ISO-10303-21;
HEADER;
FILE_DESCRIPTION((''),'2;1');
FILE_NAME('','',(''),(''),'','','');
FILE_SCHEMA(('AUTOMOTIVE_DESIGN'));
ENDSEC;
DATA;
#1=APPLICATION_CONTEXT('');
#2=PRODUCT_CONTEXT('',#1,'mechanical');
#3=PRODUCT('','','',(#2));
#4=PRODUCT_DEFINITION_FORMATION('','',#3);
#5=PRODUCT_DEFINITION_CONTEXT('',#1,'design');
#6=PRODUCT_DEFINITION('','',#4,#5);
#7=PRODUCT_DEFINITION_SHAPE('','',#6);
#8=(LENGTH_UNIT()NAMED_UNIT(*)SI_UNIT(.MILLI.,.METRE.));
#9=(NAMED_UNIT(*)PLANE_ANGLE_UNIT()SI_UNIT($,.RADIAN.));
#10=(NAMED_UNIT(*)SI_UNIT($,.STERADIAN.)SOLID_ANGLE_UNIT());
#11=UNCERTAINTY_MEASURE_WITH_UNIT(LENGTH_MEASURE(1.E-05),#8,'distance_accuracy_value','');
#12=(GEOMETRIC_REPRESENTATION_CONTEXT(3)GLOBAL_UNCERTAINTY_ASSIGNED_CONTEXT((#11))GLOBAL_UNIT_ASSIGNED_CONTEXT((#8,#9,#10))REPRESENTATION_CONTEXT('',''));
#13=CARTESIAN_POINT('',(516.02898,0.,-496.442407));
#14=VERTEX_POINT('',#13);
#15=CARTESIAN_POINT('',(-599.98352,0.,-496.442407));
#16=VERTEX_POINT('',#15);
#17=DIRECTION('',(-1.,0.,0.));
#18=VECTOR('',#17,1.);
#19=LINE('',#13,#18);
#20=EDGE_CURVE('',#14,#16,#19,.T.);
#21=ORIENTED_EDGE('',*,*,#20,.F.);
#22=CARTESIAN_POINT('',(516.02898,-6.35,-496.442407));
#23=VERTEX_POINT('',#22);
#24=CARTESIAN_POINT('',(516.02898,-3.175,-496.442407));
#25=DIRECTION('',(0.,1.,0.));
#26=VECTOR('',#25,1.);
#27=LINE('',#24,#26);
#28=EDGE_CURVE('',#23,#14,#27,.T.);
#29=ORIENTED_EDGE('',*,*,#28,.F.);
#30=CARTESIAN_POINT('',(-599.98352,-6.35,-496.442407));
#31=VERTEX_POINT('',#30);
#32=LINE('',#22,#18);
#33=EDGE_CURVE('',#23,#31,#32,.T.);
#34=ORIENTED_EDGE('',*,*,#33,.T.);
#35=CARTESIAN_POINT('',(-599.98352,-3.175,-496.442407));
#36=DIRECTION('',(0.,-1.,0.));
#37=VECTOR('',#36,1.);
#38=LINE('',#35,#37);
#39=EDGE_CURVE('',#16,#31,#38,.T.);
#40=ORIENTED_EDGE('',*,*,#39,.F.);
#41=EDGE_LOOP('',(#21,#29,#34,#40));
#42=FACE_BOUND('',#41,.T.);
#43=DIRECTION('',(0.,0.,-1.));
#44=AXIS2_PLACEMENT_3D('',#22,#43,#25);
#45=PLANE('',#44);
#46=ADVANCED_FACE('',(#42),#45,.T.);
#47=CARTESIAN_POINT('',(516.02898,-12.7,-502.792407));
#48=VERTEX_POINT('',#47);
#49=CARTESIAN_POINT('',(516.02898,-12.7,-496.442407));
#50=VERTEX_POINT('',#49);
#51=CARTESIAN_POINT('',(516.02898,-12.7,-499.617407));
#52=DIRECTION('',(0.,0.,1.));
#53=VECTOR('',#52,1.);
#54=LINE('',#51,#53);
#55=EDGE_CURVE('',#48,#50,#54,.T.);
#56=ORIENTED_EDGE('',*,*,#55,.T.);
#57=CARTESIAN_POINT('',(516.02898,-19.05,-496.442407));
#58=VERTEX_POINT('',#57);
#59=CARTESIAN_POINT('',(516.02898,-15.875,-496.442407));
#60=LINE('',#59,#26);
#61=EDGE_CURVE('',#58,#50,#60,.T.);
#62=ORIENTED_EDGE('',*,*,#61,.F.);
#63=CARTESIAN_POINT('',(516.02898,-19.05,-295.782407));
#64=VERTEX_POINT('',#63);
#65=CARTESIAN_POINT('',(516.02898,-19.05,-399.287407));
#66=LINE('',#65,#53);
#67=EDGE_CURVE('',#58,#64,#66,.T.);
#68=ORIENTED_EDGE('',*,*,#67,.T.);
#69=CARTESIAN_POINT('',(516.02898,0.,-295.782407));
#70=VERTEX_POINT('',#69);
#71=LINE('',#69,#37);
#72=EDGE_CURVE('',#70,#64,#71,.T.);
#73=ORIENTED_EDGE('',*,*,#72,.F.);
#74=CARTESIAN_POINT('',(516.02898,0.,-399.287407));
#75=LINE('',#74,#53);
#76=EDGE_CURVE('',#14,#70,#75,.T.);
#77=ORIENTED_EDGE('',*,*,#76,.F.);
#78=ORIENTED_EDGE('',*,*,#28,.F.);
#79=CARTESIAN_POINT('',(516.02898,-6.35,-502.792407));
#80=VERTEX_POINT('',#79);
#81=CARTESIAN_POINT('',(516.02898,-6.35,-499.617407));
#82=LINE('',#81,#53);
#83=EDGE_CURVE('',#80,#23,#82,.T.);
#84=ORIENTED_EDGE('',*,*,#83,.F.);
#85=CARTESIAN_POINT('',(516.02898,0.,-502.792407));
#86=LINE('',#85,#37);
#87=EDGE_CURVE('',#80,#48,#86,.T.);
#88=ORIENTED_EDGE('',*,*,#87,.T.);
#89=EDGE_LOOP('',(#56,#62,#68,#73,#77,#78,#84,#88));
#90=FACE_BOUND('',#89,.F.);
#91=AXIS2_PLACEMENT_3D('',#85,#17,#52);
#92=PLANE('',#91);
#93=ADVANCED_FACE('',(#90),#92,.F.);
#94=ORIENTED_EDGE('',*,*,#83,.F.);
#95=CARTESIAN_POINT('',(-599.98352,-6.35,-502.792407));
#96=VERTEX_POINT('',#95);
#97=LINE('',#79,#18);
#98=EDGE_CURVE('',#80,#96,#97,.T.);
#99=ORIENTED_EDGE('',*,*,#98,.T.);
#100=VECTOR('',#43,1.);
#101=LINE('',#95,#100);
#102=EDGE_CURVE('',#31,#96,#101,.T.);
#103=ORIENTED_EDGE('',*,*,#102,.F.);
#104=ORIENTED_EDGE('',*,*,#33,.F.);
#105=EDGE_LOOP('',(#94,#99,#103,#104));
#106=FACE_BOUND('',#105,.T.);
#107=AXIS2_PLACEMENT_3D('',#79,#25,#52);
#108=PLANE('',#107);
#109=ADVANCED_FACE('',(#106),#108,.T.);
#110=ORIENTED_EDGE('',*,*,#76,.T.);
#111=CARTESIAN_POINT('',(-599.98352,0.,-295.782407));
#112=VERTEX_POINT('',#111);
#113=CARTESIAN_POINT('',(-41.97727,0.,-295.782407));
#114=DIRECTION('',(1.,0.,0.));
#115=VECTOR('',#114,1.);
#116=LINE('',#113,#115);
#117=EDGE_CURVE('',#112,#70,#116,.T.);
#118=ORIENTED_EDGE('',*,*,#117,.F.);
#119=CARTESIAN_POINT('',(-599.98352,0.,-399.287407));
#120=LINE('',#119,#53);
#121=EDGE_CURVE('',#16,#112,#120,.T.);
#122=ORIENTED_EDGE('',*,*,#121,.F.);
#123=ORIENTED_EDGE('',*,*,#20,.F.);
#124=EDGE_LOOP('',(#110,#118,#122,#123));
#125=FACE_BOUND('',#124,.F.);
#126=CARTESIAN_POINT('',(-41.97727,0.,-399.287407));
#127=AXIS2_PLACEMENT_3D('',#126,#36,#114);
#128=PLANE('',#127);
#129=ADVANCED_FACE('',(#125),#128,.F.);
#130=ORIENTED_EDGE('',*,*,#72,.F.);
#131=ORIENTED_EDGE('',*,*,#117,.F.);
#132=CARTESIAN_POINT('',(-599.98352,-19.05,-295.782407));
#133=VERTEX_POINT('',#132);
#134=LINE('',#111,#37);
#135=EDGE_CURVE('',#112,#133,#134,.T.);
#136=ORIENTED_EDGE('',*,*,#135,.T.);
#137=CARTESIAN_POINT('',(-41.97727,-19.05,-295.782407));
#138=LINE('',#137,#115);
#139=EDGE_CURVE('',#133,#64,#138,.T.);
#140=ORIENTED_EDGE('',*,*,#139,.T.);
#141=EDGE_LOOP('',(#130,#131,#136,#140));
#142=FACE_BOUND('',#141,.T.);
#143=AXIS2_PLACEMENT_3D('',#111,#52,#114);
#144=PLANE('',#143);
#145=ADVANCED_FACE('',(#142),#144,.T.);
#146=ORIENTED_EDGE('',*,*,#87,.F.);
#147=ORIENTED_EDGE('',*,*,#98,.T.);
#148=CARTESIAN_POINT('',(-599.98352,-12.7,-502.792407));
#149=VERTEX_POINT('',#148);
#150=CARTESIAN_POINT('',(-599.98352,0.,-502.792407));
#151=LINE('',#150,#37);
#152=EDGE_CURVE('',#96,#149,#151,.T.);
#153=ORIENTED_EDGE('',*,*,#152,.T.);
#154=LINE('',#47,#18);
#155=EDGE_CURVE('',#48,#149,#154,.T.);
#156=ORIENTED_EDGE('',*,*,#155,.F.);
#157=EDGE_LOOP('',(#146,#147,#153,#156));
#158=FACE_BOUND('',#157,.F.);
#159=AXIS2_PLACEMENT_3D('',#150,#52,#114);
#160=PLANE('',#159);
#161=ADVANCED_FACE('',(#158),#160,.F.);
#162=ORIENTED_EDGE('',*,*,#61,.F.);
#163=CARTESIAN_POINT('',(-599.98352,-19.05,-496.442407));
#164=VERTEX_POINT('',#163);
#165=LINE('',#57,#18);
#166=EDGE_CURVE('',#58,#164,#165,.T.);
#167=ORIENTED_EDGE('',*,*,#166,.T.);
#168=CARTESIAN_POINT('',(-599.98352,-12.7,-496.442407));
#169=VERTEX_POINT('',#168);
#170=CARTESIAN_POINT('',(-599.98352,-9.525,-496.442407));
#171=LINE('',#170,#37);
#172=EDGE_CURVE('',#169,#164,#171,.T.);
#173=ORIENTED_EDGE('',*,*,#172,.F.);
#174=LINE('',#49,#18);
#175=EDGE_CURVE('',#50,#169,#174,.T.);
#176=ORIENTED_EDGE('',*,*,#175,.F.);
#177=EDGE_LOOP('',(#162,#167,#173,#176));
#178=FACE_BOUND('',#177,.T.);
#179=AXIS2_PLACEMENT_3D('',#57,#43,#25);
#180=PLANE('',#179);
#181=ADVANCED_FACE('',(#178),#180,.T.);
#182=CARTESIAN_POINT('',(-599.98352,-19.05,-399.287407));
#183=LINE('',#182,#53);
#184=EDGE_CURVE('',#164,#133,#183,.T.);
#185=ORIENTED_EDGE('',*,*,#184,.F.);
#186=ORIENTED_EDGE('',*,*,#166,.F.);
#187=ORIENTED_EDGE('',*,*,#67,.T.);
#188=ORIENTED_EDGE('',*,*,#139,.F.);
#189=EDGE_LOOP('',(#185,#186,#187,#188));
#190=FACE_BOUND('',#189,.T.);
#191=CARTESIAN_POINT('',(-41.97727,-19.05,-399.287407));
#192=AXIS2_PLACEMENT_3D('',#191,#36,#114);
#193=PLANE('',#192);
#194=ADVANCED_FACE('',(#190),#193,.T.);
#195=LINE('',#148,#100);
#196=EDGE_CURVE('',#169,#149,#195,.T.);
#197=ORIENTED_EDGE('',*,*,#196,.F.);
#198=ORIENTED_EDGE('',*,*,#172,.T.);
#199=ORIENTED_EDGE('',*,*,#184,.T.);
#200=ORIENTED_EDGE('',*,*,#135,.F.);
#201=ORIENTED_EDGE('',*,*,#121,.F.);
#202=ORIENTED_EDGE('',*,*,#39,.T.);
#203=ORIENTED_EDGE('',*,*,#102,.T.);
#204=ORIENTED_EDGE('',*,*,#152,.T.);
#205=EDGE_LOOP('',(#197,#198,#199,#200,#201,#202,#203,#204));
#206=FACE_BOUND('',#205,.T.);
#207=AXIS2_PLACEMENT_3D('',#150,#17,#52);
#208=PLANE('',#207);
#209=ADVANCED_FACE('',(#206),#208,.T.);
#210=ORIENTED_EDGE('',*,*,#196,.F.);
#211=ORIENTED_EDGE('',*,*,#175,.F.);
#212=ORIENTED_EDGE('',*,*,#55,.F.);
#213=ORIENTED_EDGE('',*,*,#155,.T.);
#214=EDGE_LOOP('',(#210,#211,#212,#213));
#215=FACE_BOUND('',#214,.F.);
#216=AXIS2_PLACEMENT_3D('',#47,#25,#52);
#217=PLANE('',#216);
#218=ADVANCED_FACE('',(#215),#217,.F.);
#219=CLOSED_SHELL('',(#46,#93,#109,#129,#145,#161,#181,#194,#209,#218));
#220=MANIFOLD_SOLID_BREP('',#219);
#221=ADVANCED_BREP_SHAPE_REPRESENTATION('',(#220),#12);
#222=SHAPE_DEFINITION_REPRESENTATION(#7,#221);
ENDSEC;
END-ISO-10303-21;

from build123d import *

# Parameters (mm, degrees)
F0_W     = 1116.0125
F0_H     = 207.01
F1_DEPTH = 19.05
F2_W     = 6.35
F2_H     = 6.35
F3_DEPTH = 1116.0135


with BuildPart() as f1:
    # F0 (on Front) → F1 (new body)
    with BuildSketch(Plane.XZ):
        with Locations((-41.97727, -399.287407)):
            Rectangle(F0_W, F0_H)
    extrude(amount=F1_DEPTH)

    # F2 (on face) → F3 (cut, through all)
    with BuildSketch(Plane.YZ.offset(516.02898)):
        with Locations((-15.875, -499.617407)):
            Rectangle(F2_W, F2_H)
        with Locations((-3.175, -499.617407)):
            Rectangle(F2_W, F2_H)
    extrude(amount=-F3_DEPTH, mode=Mode.SUBTRACT)


solid = f1.part
